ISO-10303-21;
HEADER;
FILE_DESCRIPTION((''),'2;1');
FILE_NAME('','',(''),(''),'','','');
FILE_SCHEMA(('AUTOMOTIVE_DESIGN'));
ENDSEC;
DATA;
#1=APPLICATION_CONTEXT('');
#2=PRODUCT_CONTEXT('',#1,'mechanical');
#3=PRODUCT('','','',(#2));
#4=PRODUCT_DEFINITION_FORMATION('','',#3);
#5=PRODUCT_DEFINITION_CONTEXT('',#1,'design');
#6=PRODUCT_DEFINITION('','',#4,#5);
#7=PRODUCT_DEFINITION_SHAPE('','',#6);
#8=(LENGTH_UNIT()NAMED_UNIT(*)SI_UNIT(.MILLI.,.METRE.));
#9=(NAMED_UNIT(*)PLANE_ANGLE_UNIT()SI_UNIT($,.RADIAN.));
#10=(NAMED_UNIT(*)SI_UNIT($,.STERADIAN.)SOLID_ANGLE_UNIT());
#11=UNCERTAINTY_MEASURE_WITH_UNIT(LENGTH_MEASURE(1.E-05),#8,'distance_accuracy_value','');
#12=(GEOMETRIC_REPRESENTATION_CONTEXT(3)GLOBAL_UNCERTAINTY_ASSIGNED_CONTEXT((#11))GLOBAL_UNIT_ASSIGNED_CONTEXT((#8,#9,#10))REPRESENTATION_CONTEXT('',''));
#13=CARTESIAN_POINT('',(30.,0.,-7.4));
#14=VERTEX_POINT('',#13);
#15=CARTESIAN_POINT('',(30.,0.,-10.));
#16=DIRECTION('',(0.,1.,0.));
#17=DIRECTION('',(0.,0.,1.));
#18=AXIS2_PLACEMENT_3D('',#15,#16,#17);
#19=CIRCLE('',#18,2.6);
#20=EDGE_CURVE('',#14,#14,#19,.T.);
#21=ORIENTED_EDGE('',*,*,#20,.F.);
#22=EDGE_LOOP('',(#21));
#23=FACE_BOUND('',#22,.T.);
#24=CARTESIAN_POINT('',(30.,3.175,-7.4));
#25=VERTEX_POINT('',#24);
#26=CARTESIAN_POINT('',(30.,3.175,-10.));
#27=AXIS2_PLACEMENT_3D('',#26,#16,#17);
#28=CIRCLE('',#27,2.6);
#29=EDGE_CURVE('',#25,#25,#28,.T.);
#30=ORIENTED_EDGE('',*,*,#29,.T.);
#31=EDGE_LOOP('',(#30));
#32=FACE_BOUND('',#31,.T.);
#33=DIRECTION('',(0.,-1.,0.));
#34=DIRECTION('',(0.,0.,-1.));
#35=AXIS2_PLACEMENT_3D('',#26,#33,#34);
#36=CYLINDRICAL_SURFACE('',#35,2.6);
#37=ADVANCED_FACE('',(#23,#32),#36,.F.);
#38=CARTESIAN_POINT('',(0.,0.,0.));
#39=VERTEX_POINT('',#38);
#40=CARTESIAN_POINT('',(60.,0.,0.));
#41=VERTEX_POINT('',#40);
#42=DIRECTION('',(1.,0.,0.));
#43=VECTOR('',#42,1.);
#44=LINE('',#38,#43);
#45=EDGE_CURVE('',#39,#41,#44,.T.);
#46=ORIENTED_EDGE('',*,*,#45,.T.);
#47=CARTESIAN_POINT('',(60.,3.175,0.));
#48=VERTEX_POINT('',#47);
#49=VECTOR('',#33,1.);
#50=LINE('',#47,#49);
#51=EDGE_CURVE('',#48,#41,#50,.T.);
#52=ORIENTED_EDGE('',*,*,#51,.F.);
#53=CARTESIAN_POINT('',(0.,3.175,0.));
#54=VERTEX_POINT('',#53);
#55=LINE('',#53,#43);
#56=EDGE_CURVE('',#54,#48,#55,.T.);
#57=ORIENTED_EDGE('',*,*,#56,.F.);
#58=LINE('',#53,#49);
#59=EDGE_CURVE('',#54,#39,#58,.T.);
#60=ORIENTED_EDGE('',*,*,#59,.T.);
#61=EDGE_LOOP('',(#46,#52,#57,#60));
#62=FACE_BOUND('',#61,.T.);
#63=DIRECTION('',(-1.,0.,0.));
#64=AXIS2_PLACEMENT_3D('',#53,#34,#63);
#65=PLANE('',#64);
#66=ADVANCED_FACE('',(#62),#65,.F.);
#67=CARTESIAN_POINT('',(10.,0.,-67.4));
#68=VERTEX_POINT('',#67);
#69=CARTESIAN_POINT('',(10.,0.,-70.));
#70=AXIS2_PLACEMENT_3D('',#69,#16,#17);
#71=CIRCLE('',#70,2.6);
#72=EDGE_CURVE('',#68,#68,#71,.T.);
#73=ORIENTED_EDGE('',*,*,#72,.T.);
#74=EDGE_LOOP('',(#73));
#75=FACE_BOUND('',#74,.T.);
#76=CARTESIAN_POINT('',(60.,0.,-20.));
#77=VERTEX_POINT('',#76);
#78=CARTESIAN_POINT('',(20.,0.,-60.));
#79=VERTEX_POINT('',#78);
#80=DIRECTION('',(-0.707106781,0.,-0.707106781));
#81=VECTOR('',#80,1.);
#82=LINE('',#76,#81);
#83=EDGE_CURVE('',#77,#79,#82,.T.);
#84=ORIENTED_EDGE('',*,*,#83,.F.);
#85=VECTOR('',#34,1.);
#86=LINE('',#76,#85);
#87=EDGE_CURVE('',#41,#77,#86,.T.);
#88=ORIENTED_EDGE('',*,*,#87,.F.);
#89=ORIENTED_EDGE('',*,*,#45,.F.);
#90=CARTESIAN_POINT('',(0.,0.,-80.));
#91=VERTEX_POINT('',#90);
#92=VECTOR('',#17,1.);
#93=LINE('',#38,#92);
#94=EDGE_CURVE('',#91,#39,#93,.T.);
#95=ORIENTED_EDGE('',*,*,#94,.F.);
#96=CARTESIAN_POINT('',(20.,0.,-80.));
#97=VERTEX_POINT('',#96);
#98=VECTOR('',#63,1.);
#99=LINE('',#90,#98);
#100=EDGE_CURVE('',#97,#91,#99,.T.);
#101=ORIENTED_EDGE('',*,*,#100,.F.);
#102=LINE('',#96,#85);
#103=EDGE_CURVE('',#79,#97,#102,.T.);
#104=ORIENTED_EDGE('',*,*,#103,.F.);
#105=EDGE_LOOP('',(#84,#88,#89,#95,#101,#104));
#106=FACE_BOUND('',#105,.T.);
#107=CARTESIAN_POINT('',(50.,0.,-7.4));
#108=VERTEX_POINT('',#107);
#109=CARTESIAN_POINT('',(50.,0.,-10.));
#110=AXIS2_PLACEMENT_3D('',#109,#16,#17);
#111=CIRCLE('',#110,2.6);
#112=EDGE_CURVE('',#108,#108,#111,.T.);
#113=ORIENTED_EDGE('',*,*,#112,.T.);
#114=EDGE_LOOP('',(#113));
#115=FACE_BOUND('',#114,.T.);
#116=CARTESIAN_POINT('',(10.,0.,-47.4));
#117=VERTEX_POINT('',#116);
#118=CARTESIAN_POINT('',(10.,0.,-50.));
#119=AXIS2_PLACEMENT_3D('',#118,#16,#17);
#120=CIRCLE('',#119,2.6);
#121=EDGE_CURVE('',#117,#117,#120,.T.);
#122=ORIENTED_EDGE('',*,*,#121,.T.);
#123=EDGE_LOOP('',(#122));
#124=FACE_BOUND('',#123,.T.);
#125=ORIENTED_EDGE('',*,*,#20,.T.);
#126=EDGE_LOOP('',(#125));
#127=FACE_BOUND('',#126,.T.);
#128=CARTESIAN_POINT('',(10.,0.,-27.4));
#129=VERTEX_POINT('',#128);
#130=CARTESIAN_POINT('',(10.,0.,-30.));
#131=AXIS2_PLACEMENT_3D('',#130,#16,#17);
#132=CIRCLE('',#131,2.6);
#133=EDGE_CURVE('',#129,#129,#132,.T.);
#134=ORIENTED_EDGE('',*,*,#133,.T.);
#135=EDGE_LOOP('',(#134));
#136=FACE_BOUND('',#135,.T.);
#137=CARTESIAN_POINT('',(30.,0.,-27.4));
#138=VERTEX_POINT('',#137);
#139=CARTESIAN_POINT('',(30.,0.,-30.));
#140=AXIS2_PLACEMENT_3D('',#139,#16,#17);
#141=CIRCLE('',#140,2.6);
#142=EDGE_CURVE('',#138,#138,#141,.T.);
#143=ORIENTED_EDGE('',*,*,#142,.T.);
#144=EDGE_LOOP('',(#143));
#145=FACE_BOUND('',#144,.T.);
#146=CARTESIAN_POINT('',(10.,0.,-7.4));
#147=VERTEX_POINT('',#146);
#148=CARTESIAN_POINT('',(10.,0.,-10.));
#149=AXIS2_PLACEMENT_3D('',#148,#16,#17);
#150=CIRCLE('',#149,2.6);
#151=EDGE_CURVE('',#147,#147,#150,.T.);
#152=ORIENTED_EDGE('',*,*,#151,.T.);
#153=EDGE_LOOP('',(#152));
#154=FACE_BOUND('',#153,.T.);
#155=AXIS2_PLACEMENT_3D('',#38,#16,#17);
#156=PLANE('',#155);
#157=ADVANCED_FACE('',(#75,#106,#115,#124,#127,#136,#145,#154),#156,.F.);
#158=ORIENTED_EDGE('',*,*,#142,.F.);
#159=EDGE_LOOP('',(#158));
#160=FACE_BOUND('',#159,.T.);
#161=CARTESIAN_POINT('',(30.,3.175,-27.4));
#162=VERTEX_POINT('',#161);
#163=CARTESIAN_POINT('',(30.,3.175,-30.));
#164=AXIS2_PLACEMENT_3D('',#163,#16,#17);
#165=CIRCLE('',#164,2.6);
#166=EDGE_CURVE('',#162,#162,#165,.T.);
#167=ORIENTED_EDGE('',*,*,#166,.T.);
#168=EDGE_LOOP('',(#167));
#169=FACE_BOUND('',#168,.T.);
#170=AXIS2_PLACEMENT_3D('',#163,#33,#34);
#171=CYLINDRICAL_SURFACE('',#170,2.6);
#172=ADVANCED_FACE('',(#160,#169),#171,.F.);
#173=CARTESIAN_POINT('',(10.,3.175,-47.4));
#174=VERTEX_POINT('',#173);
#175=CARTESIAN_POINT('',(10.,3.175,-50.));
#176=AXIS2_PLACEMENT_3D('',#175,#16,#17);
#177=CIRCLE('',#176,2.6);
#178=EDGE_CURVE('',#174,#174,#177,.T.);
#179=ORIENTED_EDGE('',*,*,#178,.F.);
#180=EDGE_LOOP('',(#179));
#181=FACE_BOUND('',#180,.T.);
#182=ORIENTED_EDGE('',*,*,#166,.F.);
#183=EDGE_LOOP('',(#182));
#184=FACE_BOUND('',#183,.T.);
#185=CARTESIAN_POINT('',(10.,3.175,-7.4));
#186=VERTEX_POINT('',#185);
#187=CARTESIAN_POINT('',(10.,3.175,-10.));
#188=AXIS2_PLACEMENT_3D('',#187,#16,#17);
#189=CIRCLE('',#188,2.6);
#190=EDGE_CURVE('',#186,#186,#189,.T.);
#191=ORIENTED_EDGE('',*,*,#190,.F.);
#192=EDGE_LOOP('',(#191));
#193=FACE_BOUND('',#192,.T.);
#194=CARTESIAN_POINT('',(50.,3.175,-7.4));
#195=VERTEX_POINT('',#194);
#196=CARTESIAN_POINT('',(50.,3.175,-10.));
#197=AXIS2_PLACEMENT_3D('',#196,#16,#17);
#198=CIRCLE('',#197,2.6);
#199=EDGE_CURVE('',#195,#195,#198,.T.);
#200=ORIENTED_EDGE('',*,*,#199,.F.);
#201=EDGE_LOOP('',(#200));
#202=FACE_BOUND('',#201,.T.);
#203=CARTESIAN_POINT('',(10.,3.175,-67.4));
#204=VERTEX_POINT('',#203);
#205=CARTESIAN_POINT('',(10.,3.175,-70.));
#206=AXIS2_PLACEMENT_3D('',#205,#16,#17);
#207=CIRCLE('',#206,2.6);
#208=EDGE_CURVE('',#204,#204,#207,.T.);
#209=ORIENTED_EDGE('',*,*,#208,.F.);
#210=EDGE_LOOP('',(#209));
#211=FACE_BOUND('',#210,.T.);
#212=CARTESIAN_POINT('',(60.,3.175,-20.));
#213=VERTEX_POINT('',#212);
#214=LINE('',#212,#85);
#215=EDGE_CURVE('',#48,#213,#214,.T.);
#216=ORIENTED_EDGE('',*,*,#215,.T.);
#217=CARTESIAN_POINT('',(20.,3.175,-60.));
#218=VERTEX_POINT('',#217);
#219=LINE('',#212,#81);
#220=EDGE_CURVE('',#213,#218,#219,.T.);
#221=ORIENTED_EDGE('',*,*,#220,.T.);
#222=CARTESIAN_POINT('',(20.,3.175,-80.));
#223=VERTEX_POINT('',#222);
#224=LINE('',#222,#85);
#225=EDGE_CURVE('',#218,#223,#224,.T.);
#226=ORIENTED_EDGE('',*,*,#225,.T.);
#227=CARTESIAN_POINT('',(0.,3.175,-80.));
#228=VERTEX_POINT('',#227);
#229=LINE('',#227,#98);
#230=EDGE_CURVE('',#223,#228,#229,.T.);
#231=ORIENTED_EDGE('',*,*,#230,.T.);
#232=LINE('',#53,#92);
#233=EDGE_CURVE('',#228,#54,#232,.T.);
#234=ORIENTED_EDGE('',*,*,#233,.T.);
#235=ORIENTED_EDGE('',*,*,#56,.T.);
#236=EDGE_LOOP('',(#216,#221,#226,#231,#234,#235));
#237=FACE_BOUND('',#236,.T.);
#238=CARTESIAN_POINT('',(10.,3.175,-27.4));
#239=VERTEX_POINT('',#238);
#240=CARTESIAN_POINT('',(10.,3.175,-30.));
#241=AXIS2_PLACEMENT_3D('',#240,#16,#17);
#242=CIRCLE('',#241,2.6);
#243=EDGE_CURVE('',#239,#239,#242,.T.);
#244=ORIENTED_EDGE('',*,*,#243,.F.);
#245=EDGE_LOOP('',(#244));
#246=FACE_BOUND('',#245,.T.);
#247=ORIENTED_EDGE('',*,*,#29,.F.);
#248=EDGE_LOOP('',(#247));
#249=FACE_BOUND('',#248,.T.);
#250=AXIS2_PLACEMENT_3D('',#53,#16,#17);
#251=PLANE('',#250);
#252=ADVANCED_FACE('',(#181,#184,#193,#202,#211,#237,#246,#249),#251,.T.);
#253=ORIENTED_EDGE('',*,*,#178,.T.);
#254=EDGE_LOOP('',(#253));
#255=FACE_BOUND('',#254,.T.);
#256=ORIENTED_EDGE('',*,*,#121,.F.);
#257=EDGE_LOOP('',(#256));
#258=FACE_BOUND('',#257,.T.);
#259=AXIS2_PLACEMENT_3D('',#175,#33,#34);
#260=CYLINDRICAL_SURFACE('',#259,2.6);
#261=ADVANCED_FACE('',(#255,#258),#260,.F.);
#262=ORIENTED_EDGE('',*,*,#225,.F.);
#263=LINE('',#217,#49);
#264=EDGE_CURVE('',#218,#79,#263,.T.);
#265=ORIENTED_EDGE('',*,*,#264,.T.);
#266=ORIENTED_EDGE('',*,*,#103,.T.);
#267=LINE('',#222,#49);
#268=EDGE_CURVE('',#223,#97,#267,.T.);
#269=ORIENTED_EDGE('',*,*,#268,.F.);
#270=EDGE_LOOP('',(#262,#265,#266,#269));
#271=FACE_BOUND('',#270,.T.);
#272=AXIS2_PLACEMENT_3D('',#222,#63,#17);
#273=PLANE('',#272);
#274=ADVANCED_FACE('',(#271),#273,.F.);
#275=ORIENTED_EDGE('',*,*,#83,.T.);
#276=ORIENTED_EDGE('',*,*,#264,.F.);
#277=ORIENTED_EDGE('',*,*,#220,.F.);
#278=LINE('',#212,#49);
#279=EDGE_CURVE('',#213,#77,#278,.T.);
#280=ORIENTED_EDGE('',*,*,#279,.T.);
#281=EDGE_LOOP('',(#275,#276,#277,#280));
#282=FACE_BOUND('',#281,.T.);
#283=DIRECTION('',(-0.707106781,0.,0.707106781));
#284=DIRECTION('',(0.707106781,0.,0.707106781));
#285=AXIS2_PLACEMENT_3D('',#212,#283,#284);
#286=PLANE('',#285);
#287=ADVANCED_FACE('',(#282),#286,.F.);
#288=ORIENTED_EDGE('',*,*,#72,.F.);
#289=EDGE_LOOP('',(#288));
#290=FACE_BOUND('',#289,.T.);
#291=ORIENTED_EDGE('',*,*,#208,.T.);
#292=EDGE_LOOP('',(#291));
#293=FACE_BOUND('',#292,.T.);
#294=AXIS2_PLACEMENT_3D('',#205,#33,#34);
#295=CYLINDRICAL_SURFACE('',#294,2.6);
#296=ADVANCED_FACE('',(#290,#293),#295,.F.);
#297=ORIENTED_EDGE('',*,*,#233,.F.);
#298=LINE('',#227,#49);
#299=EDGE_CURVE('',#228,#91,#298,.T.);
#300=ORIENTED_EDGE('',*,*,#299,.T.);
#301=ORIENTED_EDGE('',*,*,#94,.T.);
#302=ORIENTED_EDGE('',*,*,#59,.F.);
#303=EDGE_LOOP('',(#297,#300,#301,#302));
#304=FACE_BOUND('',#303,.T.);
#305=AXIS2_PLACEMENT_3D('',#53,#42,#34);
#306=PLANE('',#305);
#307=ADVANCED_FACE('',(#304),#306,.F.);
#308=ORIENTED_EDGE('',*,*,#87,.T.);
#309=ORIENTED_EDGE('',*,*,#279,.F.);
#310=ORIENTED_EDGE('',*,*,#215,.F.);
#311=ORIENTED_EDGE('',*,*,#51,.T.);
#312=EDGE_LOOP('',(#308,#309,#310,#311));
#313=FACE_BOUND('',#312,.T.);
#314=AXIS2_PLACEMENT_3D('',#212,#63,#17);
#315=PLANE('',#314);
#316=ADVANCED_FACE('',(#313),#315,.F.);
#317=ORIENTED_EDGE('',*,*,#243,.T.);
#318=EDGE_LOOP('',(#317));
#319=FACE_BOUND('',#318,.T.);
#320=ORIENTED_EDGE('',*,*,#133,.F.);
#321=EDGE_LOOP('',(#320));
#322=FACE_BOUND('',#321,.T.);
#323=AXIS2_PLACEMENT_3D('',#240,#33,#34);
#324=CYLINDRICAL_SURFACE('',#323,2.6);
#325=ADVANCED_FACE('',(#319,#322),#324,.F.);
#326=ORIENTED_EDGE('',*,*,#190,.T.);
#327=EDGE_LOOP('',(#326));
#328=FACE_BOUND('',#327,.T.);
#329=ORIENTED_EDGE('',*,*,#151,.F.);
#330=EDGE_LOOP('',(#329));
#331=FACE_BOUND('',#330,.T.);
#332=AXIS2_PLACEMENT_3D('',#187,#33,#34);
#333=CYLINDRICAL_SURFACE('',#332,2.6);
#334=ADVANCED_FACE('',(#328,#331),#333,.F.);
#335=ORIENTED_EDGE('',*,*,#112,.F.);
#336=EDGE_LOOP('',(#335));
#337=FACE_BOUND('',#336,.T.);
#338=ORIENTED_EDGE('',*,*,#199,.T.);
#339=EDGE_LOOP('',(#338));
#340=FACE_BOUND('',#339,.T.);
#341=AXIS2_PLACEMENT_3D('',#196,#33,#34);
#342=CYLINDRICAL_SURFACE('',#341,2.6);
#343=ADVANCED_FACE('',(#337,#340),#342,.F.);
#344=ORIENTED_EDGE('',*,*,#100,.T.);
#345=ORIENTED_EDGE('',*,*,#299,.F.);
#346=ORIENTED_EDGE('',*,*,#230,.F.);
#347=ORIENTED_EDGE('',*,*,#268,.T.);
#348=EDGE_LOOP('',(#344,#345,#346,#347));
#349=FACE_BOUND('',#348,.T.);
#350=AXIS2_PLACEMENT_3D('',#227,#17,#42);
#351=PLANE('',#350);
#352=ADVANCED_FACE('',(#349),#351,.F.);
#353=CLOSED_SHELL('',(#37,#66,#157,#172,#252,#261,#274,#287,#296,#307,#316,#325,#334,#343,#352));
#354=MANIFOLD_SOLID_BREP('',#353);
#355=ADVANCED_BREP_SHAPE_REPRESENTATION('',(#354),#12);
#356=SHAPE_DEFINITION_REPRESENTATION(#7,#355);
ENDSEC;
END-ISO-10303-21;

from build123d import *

# Parameters (mm, degrees)
SKETCH1_R           = 2.6
BOSS_EXTRUDE1_DEPTH = 3.175


with BuildPart() as part:
    # Sketch1 → Boss-Extrude1 (new body)
    with BuildSketch(Plane(origin=(0, 0, 0), x_dir=(1, 0, 0), z_dir=(0, 1, 0))):
        Polygon((60, 20), (20, 60), (20, 80), (0, 80), (0, 0), (60, 0), align=None)
        with Locations((30, 10)):
            Circle(SKETCH1_R, mode=Mode.SUBTRACT)
        with Locations((50, 10)):
            Circle(SKETCH1_R, mode=Mode.SUBTRACT)
        with Locations((30, 30)):
            Circle(SKETCH1_R, mode=Mode.SUBTRACT)
        with Locations((10, 10)):
            Circle(SKETCH1_R, mode=Mode.SUBTRACT)
        with Locations((10, 30)):
            Circle(SKETCH1_R, mode=Mode.SUBTRACT)
        with Locations((10, 50)):
            Circle(SKETCH1_R, mode=Mode.SUBTRACT)
        with Locations((10, 70)):
            Circle(SKETCH1_R, mode=Mode.SUBTRACT)
    extrude(amount=BOSS_EXTRUDE1_DEPTH)


solid = part.part
